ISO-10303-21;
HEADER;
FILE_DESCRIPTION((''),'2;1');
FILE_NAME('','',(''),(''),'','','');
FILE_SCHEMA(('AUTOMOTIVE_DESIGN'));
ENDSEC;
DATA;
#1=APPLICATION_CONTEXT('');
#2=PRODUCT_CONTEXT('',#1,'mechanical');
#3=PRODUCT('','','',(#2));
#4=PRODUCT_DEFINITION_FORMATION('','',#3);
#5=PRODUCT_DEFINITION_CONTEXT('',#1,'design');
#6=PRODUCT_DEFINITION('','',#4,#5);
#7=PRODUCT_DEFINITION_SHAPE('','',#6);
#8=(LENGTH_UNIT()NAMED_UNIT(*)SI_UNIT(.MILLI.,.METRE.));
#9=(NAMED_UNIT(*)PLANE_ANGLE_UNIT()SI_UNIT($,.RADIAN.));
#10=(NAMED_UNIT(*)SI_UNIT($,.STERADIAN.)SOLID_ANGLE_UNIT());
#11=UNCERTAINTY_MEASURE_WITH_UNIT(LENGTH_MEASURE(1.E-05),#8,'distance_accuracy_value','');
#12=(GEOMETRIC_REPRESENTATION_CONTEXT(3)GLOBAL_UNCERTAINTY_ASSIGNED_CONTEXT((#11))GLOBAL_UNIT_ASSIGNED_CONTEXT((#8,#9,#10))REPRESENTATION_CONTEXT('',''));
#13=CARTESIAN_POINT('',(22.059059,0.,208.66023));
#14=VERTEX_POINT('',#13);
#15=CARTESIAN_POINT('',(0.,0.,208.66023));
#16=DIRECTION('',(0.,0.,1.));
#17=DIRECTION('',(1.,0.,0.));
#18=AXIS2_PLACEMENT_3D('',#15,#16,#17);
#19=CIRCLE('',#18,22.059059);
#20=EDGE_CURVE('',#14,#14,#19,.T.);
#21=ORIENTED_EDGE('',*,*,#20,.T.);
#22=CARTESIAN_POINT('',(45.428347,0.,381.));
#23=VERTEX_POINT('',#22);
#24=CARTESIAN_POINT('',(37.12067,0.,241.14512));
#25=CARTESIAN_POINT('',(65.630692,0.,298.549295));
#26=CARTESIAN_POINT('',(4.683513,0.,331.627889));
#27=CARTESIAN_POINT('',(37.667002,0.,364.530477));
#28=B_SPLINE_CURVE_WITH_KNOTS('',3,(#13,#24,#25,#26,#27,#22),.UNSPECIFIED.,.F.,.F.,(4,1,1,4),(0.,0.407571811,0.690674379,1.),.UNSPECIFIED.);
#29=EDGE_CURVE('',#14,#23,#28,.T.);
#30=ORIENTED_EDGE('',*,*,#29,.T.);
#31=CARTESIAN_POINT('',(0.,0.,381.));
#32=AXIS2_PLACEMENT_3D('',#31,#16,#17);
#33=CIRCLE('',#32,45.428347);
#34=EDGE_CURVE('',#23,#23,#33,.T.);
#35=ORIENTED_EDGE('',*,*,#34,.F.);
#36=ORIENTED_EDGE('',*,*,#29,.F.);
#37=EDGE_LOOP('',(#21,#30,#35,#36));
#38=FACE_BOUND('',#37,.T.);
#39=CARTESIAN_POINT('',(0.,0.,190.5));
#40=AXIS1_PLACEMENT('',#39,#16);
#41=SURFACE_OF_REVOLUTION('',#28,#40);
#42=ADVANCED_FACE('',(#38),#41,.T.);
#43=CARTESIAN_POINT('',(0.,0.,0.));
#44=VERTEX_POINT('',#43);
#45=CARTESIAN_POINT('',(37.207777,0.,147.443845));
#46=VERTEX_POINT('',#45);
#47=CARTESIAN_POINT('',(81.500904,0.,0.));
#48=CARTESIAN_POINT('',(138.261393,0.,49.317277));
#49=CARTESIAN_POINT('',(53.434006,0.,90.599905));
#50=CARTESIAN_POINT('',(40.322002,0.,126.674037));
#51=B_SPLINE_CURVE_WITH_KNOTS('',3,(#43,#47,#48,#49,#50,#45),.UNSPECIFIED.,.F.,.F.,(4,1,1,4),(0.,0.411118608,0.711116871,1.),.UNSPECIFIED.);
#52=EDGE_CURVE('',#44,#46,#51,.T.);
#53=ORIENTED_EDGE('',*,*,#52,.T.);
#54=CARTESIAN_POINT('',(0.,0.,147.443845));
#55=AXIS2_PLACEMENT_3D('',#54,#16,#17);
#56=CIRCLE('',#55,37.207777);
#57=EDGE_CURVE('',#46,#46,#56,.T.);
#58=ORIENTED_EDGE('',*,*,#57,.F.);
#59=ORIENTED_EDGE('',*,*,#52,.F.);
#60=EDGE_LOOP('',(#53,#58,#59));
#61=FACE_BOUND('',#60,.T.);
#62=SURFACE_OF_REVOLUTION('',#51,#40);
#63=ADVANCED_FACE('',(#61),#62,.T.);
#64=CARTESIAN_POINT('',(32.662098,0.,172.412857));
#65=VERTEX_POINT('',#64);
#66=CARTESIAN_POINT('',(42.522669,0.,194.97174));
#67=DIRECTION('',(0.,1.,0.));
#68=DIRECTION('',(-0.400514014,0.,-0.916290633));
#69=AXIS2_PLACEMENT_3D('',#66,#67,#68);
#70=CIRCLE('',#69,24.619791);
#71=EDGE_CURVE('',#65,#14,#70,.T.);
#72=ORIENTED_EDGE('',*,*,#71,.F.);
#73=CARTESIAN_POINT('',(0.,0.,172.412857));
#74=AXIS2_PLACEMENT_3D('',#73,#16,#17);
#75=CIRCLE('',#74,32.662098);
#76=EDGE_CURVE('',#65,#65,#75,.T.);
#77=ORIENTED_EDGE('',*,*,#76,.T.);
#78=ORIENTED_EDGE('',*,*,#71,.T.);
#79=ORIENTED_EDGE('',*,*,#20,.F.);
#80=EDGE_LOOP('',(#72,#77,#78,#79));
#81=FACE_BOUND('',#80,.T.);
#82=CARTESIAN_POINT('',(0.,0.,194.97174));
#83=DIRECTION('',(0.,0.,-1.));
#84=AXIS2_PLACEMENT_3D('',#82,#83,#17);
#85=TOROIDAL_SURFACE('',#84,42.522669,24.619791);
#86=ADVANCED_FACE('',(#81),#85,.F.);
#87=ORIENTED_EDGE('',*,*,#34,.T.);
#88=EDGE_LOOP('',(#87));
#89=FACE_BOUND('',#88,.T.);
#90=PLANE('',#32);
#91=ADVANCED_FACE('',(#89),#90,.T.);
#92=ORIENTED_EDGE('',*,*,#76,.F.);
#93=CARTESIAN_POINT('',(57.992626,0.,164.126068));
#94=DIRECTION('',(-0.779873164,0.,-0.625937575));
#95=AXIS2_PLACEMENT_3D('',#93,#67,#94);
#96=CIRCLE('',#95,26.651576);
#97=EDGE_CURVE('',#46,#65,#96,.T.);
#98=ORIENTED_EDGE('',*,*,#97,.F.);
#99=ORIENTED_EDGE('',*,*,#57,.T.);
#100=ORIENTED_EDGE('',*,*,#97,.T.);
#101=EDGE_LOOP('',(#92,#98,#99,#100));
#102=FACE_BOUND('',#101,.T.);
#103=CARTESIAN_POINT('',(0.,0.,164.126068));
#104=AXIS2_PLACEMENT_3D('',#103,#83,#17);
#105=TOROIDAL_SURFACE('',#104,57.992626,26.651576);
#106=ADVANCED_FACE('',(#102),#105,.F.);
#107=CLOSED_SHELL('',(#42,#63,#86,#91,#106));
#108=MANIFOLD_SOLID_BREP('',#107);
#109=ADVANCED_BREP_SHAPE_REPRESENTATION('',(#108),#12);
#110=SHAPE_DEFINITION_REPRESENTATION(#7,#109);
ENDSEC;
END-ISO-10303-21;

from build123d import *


with BuildPart() as f1:
    # F0 (on Front) → F1 (revolve)
    with BuildSketch(Plane.XZ):
        with BuildLine():
            Line((0, 381), (0, 0))
            add(Edge.make_bspline(
                [(0, 0), (81.5009044763, 0), (138.2613932034, 49.3172768584), (53.4340063047, 90.599905467), (40.3220016138, 126.6740366004), (37.2077767512, 147.4438452357)],
                knots=[0, 0, 0, 0, 0.4111186083, 0.7111168709, 1, 1, 1, 1], degree=3))
            ThreePointArc((37.2077767512, 147.4438452357), (31.7720253987, 159.3525339441), (32.6620976738, 172.4128567145))
            ThreePointArc((32.6620976738, 172.4128567145), (18.8930897031, 188.0596436206), (22.0590587705, 208.6602300406))
            add(Edge.make_bspline(
                [(22.0590587705, 208.6602300406), (37.120670082, 241.1451197893), (65.6306923167, 298.5492951462), (4.6835128274, 331.6278888686), (37.6670017244, 364.5304767428), (45.4283468425, 381)],
                knots=[0, 0, 0, 0, 0.4075718115, 0.6906743791, 1, 1, 1, 1], degree=3))
            Line((45.4283468425, 381), (0, 381))
        make_face()
    revolve(axis=Axis((0, 0, 190.5), (0, 0, 1)))


solid = f1.part
